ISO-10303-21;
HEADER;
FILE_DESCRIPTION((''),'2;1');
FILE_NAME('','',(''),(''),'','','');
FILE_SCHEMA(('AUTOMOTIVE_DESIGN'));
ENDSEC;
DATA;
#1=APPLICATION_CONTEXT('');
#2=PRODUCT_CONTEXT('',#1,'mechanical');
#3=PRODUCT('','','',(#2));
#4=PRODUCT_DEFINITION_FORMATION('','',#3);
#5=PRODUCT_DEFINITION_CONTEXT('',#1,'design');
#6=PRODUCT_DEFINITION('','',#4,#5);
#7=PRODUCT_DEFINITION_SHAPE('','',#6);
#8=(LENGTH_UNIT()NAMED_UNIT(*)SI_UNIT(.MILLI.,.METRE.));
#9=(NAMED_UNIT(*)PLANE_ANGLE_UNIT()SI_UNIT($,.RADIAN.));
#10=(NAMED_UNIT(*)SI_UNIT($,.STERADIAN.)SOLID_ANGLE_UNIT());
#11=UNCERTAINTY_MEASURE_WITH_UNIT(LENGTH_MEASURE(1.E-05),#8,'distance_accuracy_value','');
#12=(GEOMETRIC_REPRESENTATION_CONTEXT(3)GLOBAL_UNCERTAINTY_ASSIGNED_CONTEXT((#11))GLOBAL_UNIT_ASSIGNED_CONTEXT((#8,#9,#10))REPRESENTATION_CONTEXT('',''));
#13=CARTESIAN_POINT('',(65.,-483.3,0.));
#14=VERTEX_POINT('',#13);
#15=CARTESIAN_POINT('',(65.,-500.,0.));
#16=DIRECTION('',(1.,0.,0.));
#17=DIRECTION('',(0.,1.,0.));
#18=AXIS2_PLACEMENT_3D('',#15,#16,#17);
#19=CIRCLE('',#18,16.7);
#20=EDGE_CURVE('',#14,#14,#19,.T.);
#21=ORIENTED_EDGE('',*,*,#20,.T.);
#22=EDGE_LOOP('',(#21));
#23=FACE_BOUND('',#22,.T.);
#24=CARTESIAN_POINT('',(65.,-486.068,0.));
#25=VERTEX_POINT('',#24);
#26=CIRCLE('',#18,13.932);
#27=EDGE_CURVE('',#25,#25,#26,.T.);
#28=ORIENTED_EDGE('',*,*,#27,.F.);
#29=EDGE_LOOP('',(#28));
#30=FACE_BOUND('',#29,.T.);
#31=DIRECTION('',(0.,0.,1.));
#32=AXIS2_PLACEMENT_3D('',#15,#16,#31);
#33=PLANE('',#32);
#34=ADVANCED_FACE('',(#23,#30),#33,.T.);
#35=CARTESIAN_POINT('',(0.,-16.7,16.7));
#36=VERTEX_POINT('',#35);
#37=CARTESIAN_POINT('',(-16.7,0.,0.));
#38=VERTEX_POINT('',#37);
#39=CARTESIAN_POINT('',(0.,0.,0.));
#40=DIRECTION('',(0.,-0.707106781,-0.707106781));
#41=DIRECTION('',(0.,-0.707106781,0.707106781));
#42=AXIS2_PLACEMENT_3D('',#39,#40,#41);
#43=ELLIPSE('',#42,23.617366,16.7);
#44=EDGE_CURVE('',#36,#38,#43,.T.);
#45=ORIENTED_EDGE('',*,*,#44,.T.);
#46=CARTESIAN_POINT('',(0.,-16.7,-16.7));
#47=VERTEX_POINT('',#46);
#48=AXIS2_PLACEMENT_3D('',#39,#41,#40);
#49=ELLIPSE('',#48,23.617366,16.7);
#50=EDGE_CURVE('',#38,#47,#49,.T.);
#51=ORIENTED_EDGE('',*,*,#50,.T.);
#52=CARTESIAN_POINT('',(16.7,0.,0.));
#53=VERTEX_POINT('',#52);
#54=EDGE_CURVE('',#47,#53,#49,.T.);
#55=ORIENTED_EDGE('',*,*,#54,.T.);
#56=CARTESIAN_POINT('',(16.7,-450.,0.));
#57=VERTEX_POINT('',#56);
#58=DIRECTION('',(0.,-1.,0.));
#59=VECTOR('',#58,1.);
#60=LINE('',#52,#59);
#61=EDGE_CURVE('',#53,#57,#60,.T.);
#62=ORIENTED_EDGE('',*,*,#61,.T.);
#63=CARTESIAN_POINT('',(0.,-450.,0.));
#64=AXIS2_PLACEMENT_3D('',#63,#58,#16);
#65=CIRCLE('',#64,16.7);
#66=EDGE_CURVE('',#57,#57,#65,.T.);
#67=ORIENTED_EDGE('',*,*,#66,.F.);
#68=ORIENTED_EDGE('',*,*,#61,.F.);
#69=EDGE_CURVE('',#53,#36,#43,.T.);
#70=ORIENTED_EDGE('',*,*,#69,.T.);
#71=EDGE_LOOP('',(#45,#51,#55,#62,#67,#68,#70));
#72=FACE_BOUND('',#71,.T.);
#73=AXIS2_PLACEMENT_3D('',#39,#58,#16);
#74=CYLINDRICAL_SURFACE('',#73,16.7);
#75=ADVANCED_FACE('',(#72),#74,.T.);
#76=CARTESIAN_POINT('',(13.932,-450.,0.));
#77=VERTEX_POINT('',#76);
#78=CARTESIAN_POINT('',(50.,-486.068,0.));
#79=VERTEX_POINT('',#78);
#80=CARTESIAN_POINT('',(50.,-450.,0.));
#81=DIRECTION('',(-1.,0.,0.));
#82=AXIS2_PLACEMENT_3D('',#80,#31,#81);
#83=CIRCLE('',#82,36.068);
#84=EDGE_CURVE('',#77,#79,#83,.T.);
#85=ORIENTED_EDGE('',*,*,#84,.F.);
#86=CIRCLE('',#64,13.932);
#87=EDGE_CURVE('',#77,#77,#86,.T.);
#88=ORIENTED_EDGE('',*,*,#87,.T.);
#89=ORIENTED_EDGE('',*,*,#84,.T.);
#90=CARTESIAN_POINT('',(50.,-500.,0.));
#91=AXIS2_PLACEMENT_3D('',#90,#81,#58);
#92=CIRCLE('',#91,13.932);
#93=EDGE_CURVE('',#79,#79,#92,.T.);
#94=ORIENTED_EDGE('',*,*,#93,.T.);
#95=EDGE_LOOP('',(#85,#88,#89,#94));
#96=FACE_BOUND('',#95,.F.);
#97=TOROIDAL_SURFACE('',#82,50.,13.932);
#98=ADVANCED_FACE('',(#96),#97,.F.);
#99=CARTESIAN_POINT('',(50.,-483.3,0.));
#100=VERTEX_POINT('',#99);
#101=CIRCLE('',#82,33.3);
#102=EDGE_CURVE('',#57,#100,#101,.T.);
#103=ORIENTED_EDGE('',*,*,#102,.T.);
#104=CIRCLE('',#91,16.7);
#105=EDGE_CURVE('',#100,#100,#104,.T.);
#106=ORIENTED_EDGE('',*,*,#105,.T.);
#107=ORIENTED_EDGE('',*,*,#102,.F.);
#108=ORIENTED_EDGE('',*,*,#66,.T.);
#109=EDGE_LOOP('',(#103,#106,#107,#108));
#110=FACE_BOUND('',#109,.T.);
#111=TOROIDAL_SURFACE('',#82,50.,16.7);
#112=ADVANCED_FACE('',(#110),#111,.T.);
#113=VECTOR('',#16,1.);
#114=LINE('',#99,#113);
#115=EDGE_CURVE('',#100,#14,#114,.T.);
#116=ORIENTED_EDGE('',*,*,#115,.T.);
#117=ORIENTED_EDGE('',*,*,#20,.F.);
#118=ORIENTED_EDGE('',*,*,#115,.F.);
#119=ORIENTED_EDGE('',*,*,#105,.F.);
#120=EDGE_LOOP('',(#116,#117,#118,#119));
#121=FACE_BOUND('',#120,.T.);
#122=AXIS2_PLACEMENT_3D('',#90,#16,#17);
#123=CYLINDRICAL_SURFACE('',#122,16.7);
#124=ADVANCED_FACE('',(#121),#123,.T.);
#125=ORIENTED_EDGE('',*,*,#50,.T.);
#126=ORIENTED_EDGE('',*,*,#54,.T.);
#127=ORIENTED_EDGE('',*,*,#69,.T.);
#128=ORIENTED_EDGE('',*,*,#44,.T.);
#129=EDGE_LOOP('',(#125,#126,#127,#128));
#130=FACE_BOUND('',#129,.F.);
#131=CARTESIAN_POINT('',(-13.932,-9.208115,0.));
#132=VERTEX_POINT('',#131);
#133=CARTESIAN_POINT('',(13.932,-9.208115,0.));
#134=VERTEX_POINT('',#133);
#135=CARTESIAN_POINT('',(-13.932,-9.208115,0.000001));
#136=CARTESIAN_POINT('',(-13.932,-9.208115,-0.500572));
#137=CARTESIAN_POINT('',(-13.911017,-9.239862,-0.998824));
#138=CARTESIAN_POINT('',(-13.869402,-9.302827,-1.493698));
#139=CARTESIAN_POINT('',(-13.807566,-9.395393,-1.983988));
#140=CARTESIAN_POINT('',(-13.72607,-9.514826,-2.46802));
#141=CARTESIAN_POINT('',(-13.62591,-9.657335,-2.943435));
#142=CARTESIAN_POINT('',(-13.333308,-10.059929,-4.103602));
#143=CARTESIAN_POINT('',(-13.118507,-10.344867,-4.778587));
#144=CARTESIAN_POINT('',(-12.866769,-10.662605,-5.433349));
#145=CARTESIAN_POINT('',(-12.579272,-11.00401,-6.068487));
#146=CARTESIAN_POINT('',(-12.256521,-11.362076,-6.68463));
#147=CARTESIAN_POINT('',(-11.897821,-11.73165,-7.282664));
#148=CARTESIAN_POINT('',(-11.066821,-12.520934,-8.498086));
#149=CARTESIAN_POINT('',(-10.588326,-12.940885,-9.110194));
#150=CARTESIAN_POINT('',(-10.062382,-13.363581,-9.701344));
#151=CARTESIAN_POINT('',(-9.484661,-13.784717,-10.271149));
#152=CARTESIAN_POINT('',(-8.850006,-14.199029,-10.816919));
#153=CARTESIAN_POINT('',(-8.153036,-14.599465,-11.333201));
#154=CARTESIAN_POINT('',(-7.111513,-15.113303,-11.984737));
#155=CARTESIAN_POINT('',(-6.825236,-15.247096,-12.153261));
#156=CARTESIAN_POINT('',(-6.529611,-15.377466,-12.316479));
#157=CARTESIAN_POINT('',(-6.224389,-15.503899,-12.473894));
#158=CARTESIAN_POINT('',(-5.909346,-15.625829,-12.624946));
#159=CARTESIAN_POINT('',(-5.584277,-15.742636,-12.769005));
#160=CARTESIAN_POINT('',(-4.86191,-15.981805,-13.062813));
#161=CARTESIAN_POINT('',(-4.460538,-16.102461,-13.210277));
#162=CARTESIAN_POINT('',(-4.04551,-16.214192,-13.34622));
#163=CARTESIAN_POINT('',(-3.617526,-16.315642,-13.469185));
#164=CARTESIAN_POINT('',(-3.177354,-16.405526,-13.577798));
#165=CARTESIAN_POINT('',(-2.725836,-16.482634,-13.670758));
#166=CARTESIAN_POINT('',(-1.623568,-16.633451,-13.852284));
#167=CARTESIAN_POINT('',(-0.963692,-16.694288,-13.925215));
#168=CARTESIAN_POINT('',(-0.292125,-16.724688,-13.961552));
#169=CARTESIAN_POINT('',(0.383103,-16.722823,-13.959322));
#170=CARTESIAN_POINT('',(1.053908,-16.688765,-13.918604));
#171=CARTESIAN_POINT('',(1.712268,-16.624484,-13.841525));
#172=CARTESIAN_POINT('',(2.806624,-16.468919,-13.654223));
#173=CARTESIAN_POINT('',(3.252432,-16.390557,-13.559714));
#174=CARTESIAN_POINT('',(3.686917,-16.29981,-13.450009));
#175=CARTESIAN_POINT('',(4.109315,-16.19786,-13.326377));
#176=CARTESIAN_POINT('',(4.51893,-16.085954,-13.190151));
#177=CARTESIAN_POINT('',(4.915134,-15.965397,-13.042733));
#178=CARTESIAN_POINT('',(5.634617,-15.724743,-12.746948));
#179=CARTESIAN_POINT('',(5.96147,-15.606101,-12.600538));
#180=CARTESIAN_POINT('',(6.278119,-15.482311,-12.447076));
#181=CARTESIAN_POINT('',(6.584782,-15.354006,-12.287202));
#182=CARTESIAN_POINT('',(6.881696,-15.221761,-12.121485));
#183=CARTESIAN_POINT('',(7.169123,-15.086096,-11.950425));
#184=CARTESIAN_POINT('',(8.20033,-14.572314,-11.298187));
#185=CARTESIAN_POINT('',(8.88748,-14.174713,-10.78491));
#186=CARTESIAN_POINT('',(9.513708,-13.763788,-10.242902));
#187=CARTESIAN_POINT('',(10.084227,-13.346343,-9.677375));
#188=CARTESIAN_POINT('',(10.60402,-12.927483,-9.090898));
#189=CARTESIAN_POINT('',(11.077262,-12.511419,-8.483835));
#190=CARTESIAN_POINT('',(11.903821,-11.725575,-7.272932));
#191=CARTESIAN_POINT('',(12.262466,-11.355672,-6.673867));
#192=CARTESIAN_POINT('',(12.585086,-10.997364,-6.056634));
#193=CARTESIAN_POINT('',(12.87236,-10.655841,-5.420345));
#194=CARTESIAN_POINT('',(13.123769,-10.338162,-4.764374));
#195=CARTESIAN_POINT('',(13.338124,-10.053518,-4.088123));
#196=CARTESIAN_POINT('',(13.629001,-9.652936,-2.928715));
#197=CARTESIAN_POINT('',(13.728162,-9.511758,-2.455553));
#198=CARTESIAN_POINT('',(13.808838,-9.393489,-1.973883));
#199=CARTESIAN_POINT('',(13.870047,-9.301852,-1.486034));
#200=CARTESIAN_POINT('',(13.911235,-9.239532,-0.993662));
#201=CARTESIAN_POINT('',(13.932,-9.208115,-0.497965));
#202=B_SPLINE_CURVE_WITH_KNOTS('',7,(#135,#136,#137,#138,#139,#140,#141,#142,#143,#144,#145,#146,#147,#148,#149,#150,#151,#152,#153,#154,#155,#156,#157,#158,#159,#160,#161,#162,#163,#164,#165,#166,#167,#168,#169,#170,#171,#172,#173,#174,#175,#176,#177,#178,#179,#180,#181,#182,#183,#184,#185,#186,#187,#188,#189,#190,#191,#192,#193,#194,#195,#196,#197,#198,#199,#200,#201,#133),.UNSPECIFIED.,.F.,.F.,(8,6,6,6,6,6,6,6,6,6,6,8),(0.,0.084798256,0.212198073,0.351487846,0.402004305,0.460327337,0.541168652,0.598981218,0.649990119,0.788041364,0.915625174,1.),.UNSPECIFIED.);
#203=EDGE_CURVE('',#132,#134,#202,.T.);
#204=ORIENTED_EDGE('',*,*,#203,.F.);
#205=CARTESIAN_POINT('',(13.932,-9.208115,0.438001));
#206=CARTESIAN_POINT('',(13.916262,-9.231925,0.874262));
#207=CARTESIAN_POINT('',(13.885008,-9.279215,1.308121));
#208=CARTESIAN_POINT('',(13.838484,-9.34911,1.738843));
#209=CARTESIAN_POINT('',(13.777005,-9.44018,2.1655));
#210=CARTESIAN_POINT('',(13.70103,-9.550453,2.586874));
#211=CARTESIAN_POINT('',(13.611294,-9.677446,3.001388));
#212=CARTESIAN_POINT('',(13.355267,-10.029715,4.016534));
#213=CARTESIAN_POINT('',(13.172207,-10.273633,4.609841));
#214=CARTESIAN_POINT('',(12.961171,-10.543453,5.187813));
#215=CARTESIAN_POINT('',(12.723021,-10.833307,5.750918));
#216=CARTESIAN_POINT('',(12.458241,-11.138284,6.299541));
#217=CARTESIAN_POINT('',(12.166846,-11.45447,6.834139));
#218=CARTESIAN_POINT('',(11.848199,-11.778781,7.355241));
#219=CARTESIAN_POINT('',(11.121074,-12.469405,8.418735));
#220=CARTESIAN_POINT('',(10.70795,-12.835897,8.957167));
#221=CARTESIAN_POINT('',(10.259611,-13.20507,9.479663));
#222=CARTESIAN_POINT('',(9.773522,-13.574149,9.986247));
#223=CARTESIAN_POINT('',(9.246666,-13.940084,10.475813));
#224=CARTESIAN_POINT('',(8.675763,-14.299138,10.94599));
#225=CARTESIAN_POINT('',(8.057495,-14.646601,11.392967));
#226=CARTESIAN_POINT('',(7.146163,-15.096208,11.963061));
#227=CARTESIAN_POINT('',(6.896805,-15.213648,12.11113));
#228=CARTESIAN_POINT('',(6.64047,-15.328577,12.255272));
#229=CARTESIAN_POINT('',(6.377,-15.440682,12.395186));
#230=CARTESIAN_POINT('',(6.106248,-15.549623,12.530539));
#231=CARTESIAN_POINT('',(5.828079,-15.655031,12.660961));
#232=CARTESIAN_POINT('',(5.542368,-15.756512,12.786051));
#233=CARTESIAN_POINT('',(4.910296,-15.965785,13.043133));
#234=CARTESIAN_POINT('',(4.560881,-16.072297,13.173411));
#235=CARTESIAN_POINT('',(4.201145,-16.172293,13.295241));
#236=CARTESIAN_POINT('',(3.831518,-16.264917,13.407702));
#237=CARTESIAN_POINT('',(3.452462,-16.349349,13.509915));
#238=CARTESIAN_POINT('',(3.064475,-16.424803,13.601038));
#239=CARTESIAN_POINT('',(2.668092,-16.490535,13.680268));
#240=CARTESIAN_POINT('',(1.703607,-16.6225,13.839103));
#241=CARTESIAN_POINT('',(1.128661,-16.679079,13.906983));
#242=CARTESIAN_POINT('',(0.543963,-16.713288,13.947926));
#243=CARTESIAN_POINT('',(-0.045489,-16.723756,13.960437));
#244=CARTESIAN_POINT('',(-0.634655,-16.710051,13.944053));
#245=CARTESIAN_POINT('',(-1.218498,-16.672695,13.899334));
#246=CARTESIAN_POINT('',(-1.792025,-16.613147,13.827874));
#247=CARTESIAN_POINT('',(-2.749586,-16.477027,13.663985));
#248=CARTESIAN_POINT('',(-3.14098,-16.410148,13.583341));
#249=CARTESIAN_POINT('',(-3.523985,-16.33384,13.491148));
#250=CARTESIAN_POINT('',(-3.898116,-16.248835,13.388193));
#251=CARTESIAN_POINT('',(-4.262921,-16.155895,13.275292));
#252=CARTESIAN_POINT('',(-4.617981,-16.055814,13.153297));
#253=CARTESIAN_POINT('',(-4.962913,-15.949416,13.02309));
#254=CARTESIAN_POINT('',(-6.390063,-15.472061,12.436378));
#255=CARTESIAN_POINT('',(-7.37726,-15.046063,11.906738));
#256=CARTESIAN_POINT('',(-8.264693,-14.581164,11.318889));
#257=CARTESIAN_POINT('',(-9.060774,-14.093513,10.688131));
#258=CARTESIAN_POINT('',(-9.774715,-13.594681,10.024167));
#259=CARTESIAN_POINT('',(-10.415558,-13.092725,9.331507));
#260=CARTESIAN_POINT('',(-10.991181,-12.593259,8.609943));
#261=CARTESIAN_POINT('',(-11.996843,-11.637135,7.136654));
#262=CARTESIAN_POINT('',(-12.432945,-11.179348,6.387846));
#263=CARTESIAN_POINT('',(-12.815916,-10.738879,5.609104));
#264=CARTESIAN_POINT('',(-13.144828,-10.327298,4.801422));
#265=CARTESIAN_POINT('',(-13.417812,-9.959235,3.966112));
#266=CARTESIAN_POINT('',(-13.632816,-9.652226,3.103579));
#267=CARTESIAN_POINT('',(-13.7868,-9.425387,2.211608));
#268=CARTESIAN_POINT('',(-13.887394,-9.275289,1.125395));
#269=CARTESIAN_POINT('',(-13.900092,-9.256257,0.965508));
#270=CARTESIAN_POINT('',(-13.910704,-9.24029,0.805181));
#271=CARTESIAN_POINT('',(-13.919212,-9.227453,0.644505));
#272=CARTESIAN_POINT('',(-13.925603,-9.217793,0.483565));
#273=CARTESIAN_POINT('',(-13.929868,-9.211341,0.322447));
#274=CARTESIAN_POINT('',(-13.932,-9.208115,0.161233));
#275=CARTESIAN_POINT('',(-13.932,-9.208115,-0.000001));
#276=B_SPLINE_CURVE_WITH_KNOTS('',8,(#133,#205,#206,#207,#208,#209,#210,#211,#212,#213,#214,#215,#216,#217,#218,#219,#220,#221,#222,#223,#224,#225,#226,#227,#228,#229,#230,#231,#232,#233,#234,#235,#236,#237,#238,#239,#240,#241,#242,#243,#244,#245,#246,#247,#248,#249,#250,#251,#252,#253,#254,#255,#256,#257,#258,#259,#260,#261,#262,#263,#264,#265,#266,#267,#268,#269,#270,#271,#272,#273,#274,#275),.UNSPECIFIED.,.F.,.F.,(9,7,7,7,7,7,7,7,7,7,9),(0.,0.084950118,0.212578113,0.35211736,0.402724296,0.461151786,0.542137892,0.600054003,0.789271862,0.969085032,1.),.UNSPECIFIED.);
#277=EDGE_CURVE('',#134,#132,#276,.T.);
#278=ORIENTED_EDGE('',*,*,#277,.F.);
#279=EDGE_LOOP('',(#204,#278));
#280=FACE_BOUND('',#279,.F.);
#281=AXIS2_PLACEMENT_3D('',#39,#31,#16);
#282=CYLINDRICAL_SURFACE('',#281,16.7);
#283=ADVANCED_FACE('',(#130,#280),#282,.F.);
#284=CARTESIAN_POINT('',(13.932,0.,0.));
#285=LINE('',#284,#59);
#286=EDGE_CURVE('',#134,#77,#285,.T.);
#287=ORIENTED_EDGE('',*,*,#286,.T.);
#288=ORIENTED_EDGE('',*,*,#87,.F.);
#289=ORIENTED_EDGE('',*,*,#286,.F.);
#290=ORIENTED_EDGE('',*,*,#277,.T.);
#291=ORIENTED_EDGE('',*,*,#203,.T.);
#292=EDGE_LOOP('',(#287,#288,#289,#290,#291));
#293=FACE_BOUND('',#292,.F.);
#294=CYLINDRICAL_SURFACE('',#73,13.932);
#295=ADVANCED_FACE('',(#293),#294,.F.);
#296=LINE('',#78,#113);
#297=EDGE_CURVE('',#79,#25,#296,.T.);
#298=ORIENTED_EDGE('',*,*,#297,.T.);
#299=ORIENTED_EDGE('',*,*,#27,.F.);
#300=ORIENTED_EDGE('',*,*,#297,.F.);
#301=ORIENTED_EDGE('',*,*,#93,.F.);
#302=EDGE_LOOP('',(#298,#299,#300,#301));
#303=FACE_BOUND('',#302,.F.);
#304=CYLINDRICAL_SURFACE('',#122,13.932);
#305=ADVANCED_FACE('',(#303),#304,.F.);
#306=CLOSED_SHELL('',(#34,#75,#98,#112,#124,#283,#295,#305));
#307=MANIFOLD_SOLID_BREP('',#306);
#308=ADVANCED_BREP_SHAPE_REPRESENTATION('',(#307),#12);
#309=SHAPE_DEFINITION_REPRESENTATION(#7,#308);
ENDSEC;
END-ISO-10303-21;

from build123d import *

# Parameters (mm, degrees)
F1_R          = 16.7
F1_R_2        = 13.932
F3_R          = 16.7
F4_DEPTH      = 25
F4_DEPTH_BACK = 25


with BuildPart() as f2:
    # F2: sweep along a path in F0
    with BuildLine(Plane.XY) as f2_path:
        Line((0, 0), (0, -450))
        ThreePointArc((0, -450), (14.6446609407, -485.3553390593), (50, -500))
        Line((50, -500), (65, -500))
    # F1 (on Front) → F2 (sweep)
    with BuildSketch(Plane.XZ):
        Circle(F1_R)
        Circle(F1_R_2, mode=Mode.SUBTRACT)
    sweep(path=f2_path.line)

    # F3 (on Top) → F4 (cut, two sides)
    with BuildSketch(Plane.XY) as f4_sk:
        Circle(F3_R)
    extrude(amount=-F4_DEPTH, mode=Mode.SUBTRACT)
    extrude(f4_sk.sketch, amount=F4_DEPTH_BACK, mode=Mode.SUBTRACT)


solid = f2.part
